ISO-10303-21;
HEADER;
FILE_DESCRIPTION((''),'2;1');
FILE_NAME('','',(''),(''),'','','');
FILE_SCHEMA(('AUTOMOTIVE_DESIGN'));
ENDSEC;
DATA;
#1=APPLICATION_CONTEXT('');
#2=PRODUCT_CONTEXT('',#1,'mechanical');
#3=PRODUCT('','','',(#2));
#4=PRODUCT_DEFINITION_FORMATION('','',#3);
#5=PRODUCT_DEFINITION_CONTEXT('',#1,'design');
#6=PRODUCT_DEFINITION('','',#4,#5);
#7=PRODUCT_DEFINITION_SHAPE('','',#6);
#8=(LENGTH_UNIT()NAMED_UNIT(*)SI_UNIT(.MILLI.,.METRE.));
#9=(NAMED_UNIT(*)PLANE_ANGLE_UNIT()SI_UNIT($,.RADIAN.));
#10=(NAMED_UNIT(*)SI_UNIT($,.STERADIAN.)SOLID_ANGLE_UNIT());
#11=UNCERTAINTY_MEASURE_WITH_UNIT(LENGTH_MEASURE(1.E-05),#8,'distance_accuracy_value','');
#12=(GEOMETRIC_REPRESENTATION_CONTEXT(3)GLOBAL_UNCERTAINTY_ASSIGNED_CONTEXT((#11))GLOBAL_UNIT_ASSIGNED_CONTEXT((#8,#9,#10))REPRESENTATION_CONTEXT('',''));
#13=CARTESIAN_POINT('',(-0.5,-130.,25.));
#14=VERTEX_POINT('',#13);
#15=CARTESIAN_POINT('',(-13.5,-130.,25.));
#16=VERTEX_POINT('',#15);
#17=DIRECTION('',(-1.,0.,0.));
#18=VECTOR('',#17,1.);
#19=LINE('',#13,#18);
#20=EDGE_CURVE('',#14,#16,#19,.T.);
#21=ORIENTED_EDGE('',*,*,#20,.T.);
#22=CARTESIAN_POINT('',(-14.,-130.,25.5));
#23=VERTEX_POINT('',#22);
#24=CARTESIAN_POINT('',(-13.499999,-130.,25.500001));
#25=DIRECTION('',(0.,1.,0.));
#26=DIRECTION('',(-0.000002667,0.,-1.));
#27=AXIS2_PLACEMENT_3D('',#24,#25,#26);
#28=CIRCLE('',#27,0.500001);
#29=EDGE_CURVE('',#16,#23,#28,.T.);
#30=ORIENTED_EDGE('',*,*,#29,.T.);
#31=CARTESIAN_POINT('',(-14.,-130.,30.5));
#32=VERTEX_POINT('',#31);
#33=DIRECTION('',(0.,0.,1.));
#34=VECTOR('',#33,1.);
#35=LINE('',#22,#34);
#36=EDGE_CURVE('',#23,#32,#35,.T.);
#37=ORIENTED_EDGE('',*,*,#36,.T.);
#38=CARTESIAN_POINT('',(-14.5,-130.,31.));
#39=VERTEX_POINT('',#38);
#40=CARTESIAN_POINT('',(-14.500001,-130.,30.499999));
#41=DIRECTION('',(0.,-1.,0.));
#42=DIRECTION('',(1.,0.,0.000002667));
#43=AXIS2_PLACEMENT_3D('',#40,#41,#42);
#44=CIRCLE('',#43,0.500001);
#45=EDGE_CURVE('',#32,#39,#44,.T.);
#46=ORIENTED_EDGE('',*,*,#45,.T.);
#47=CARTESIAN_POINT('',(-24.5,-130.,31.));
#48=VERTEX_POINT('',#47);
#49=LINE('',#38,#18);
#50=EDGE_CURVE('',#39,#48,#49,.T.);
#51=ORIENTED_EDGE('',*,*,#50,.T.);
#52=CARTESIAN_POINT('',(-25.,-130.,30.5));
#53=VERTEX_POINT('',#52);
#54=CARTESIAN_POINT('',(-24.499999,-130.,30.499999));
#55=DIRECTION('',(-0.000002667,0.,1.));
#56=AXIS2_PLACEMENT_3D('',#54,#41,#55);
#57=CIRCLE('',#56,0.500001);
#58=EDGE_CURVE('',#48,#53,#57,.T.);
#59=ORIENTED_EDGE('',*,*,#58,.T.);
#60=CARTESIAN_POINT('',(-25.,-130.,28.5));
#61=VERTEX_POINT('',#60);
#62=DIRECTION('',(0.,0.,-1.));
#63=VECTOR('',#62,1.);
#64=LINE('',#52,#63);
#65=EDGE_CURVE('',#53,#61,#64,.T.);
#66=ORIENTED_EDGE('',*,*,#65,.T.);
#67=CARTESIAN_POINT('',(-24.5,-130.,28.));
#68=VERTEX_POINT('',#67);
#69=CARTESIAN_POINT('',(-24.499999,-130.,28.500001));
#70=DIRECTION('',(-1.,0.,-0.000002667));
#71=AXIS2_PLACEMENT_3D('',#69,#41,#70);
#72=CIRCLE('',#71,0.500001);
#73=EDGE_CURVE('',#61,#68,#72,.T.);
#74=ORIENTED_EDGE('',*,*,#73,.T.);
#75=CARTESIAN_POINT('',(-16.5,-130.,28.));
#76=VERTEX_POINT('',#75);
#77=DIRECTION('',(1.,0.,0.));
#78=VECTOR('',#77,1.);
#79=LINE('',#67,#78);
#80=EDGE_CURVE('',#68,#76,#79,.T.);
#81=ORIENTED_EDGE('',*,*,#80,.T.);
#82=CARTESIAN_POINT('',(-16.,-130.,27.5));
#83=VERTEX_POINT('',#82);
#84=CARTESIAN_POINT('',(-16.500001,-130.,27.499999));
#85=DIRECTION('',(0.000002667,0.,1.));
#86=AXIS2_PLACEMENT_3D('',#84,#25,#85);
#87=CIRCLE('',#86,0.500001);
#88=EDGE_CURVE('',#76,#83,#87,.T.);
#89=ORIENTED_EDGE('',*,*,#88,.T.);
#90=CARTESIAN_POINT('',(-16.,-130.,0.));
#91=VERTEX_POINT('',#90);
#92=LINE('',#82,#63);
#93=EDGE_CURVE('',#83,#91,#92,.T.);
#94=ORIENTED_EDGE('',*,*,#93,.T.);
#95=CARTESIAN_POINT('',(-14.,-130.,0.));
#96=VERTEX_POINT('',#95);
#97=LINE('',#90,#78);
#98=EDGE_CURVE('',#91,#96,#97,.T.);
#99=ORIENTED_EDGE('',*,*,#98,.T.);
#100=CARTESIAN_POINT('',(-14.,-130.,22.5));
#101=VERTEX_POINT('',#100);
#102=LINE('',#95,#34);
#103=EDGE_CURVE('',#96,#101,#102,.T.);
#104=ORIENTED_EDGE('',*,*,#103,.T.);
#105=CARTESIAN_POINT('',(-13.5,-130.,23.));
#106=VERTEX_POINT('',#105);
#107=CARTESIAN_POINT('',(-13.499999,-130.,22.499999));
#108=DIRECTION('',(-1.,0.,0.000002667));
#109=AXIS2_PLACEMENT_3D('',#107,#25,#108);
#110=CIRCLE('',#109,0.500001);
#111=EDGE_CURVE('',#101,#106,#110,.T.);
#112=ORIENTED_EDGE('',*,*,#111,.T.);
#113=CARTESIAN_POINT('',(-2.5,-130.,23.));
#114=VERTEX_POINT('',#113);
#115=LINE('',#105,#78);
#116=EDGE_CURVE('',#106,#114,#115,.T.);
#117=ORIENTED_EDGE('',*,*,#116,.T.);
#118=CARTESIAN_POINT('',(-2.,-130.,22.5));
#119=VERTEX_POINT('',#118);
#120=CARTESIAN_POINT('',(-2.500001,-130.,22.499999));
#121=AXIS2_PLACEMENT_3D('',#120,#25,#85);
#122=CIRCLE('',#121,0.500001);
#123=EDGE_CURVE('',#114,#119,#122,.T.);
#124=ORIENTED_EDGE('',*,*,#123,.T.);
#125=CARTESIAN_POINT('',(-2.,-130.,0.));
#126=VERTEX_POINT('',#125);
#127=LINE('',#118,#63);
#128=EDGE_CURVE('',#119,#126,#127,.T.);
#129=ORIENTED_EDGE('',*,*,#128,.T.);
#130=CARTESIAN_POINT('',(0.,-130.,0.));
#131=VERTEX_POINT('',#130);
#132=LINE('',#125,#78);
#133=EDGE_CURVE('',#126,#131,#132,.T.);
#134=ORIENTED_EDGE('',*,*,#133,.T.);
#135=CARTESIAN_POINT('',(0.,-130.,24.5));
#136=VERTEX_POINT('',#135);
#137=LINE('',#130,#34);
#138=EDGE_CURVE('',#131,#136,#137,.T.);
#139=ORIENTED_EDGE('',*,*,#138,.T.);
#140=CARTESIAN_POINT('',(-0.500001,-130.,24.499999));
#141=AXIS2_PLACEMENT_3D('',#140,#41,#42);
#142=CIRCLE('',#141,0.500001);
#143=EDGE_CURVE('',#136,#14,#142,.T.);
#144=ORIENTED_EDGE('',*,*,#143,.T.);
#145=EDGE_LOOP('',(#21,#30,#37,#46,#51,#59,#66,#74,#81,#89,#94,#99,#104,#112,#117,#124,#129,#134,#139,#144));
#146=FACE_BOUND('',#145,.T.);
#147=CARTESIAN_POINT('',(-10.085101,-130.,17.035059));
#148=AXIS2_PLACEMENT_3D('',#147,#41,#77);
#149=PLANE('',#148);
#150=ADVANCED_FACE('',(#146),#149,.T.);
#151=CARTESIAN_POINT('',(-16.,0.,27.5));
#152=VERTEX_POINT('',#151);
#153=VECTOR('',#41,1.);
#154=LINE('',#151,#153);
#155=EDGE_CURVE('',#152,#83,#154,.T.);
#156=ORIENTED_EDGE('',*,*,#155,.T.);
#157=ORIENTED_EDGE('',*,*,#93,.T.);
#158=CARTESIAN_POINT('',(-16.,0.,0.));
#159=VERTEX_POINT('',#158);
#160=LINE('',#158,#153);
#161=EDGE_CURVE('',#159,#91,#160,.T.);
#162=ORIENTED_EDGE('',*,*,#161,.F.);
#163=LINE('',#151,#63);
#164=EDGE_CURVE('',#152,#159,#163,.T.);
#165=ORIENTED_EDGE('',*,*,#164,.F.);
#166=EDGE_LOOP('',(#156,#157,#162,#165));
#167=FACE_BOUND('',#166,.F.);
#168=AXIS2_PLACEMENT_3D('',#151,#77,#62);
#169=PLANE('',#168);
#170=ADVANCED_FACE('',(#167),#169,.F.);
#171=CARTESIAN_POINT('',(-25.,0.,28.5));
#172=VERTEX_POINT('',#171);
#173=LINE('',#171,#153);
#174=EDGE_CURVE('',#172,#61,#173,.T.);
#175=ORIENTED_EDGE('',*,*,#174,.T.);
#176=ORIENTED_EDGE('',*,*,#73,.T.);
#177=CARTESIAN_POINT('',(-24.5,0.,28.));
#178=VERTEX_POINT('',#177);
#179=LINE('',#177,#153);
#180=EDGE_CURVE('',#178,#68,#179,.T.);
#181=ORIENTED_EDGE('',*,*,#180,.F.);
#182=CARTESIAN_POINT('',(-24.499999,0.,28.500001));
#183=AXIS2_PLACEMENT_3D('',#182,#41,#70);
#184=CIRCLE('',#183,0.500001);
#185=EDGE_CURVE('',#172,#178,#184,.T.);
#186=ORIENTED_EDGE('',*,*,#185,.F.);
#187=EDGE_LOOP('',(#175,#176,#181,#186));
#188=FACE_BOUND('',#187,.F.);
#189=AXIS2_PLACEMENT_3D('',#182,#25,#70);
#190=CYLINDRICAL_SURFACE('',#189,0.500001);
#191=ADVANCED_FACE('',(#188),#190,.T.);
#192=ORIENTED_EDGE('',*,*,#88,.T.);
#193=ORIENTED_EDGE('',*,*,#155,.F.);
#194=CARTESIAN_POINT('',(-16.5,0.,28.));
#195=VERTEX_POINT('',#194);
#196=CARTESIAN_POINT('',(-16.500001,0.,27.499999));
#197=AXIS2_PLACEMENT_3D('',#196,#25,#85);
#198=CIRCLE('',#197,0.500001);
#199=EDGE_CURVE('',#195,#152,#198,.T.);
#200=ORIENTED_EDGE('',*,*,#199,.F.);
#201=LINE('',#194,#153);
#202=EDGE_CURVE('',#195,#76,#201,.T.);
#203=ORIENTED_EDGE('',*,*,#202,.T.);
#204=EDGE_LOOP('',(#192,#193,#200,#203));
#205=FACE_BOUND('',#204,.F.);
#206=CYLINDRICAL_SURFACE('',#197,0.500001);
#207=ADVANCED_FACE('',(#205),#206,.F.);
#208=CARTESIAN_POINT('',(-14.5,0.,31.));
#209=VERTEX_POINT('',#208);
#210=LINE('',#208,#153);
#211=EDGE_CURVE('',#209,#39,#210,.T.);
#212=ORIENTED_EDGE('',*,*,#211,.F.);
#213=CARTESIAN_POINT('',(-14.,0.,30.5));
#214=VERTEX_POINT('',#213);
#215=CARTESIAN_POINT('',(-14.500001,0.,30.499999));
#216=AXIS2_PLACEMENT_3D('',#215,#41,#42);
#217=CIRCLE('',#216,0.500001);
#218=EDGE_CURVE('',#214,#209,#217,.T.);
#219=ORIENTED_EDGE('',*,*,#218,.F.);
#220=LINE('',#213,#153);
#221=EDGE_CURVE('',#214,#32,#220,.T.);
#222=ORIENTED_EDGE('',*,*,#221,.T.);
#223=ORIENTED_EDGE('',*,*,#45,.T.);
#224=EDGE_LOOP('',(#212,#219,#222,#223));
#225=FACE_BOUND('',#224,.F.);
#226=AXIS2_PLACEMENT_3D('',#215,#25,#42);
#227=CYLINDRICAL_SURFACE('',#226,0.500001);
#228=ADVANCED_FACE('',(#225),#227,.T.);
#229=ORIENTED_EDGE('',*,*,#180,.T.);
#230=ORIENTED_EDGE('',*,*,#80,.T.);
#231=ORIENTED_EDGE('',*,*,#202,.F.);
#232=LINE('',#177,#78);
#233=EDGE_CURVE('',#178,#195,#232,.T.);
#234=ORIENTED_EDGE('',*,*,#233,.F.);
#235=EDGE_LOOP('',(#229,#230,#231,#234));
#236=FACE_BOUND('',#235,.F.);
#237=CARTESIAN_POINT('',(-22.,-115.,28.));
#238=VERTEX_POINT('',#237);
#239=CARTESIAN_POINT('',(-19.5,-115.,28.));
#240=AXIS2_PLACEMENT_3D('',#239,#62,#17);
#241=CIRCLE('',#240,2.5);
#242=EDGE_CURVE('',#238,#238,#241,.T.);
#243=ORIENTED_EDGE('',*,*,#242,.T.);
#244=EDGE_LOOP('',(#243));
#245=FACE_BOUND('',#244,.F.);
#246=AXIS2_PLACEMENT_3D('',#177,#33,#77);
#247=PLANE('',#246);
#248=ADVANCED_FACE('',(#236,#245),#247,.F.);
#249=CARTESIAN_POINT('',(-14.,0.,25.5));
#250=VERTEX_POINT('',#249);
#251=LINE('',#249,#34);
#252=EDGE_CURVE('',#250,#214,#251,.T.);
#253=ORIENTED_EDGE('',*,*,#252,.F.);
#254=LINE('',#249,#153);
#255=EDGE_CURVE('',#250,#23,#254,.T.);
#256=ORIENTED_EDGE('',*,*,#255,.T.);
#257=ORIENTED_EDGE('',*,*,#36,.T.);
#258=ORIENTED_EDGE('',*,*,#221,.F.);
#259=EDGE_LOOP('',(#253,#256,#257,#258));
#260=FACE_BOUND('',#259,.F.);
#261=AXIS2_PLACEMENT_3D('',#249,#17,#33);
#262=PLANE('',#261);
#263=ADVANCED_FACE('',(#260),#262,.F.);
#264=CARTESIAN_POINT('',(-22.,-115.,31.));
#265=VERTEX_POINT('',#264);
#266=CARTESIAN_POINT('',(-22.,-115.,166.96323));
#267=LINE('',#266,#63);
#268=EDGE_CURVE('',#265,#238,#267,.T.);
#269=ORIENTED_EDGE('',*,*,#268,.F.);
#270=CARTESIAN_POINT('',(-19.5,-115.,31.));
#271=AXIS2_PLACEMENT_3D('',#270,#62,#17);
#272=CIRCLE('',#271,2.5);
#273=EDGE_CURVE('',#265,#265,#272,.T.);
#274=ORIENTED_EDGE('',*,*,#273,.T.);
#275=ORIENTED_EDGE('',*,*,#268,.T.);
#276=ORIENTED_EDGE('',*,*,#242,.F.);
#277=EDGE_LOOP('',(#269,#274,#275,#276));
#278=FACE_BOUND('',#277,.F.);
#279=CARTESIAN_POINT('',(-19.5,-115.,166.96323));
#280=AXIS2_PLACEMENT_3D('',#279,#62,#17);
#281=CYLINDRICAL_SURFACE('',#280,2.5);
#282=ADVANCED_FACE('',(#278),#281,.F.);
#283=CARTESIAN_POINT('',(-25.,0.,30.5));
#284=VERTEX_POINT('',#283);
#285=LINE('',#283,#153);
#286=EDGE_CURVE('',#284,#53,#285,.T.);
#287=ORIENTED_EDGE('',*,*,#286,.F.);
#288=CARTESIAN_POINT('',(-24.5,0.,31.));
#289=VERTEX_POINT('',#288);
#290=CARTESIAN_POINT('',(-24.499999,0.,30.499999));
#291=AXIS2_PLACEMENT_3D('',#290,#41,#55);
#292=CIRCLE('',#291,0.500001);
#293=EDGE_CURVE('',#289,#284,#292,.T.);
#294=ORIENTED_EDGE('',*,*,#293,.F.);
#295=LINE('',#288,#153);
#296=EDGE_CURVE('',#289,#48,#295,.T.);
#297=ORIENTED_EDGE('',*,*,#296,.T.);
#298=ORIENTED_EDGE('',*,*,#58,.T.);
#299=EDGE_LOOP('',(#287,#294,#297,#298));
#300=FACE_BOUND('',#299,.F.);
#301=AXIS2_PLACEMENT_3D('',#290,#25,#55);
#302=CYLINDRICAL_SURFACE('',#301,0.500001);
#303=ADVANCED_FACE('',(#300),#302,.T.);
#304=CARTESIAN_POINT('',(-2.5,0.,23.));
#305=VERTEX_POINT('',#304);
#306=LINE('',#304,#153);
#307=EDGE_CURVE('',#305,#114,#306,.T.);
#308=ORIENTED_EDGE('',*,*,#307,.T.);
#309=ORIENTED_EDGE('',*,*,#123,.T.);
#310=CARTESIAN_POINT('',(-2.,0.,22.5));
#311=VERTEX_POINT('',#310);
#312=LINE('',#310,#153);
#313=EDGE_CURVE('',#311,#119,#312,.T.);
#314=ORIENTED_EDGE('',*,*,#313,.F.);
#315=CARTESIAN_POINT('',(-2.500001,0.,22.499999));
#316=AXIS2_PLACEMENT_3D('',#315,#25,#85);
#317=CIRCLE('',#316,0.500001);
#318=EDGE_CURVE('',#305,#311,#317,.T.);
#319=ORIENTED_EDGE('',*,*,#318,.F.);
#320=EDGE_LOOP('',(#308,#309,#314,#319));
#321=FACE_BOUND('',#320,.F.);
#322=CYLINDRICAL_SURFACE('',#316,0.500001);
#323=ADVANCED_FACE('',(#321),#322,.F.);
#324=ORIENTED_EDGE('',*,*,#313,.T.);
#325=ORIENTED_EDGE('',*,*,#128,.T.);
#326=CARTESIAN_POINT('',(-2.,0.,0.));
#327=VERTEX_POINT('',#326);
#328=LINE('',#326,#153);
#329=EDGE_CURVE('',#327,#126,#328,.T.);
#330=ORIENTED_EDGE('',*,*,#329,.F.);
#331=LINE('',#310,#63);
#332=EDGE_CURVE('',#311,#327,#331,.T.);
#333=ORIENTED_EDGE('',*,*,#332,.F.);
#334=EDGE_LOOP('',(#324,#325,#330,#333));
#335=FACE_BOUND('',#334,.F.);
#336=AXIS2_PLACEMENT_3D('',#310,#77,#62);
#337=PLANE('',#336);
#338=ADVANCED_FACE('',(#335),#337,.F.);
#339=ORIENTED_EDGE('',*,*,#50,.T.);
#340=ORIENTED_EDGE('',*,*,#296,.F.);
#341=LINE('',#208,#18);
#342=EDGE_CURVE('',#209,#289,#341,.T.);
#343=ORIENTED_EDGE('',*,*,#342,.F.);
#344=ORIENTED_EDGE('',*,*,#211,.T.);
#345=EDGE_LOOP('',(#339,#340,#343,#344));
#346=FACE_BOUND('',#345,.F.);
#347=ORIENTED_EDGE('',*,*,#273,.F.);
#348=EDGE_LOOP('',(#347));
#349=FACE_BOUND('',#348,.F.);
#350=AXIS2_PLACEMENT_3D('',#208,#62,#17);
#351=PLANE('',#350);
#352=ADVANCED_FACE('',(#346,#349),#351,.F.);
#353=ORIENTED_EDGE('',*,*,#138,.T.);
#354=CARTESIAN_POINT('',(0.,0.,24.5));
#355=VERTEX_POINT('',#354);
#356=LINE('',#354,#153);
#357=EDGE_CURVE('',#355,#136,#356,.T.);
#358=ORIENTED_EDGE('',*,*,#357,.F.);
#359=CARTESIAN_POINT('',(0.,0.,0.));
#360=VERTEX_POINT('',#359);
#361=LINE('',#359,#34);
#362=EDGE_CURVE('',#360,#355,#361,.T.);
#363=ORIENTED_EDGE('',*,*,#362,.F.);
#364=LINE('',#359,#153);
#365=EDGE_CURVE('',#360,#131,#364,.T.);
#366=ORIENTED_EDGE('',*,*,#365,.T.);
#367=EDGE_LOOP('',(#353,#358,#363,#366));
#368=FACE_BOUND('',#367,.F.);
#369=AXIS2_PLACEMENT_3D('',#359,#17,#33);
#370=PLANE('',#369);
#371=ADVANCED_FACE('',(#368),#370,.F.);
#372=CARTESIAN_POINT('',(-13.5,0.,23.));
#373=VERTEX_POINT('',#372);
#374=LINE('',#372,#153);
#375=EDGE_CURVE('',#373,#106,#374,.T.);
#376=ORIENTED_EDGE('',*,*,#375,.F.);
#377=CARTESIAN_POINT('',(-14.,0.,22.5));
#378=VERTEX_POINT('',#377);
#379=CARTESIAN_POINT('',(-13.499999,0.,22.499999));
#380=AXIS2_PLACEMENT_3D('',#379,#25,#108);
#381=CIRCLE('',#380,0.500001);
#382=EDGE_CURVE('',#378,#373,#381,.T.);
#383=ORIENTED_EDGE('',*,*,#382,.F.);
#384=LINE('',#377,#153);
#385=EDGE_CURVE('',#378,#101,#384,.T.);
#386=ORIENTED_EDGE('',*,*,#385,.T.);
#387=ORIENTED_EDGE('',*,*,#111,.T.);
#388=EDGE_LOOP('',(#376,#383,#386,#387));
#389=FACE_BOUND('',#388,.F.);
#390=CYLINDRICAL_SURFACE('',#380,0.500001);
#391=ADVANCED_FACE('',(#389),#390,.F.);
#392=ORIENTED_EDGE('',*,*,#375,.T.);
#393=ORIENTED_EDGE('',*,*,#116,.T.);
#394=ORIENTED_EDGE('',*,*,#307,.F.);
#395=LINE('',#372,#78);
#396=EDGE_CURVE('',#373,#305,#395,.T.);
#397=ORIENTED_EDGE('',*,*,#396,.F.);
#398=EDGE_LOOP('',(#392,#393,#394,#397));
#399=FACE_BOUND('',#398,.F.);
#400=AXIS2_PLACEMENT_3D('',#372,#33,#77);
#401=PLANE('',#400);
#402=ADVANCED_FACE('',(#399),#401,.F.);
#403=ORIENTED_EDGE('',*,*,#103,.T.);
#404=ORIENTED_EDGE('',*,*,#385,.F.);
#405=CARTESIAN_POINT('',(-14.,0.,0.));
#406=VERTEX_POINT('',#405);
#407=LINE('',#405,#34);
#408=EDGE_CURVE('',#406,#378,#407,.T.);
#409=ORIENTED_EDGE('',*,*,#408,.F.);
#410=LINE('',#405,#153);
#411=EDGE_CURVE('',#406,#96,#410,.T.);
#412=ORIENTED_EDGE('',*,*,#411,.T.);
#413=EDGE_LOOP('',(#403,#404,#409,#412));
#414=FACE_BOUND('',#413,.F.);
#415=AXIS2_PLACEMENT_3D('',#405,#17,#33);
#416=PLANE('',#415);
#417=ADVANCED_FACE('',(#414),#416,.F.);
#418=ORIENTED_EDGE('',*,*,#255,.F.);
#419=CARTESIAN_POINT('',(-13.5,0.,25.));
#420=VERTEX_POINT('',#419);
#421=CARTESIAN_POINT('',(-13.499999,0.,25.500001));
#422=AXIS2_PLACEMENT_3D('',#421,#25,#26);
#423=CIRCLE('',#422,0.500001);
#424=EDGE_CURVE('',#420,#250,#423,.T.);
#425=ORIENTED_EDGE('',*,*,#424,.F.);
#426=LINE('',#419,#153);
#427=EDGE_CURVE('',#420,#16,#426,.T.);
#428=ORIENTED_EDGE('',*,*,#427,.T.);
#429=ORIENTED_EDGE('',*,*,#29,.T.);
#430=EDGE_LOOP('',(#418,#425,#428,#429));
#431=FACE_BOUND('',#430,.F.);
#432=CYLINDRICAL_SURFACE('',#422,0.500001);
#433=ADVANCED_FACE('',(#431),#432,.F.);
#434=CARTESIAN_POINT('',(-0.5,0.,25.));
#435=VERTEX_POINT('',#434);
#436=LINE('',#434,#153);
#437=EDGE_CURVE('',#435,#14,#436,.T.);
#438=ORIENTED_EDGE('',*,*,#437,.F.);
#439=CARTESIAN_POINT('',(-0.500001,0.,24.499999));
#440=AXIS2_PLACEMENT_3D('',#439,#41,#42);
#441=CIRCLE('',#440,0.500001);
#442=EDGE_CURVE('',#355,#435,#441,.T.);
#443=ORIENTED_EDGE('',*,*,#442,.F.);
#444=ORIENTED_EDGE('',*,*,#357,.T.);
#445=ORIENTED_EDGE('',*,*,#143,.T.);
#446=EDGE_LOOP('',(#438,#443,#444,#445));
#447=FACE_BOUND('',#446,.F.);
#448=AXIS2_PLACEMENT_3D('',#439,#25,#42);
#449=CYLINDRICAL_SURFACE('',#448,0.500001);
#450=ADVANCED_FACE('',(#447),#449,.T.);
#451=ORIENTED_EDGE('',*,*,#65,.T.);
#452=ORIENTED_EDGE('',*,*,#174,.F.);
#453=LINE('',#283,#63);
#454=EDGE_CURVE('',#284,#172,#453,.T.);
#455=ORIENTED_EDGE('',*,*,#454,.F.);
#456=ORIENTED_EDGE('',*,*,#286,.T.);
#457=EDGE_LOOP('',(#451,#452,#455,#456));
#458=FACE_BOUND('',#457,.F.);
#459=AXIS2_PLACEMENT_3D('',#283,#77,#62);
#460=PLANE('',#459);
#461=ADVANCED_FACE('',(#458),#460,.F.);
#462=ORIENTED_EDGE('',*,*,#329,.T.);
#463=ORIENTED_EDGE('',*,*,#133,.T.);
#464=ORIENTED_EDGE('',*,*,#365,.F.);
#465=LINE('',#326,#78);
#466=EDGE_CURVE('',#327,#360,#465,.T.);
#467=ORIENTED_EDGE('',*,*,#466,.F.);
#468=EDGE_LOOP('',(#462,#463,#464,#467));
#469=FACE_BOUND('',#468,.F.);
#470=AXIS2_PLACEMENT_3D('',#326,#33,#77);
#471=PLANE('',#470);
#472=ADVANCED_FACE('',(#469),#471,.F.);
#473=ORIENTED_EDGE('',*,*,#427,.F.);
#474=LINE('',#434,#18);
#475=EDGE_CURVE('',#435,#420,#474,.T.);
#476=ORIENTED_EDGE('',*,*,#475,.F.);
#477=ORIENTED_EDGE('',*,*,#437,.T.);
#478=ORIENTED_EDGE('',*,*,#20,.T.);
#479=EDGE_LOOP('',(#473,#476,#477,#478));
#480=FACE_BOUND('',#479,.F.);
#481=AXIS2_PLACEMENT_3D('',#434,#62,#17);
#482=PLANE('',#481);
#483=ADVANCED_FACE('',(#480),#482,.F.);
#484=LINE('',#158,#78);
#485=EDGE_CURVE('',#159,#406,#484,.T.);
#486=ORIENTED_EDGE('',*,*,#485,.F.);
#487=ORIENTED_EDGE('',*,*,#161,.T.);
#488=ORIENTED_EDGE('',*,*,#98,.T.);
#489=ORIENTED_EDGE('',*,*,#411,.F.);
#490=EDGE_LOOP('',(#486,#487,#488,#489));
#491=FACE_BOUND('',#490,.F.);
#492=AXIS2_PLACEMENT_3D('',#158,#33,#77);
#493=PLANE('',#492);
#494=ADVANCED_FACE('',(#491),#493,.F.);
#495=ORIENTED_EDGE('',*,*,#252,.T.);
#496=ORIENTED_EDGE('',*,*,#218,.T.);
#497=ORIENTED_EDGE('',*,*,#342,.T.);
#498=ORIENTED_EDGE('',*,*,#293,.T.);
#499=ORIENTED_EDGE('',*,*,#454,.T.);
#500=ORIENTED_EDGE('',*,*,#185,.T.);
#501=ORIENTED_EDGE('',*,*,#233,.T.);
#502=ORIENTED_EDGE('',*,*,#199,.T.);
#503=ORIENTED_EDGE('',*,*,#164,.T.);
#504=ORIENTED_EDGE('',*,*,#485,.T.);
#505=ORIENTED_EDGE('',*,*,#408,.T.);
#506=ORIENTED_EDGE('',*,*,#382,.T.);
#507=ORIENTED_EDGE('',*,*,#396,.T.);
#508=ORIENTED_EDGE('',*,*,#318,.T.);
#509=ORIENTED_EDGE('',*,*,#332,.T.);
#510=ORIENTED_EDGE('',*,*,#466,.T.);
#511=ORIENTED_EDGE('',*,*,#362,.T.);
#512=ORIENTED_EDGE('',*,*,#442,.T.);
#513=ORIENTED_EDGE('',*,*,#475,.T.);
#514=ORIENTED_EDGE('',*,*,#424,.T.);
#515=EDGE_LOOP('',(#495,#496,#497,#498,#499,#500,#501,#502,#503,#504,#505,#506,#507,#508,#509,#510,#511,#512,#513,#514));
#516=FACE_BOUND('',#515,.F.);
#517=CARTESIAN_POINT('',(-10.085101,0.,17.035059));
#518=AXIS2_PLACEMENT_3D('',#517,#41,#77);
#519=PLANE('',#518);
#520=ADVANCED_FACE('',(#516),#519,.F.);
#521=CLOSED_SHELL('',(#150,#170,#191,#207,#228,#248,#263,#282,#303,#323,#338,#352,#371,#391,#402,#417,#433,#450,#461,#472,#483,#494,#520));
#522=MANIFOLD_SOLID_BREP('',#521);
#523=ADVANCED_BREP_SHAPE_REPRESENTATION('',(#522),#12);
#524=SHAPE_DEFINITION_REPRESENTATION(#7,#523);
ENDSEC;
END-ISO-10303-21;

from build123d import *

# Parameters (mm, degrees)
F1_DEPTH = 130
F3_D     = 5


with BuildPart() as f1:
    # F0 (on Front) → F1 (new body)
    with BuildSketch(Plane.XZ):
        with BuildLine():
            Line((-2, 0), (0, 0))
            Line((0, 0), (0, 24.5))
            ThreePointArc((0, 24.5), (-0.146447, 24.853553), (-0.5, 25))
            Line((-0.5, 25), (-13.5, 25))
            ThreePointArc((-13.5, 25), (-13.853553, 25.146447), (-14, 25.5))
            Line((-14, 25.5), (-14, 30.5))
            ThreePointArc((-14, 30.5), (-14.146447, 30.853553), (-14.5, 31))
            Line((-14.5, 31), (-24.5, 31))
            ThreePointArc((-24.5, 31), (-24.853553, 30.853553), (-25, 30.5))
            Line((-25, 30.5), (-25, 28.5))
            ThreePointArc((-25, 28.5), (-24.853553, 28.146447), (-24.5, 28))
            Line((-24.5, 28), (-16.5, 28))
            ThreePointArc((-16.5, 28), (-16.146447, 27.853553), (-16, 27.5))
            Line((-16, 27.5), (-16, 0))
            Line((-16, 0), (-14, 0))
            Line((-14, 0), (-14, 22.5))
            ThreePointArc((-14, 22.5), (-13.853553, 22.853553), (-13.5, 23))
            Line((-13.5, 23), (-2.5, 23))
            ThreePointArc((-2.5, 23), (-2.146447, 22.853553), (-2, 22.5))
            Line((-2, 22.5), (-2, 0))
        make_face()
    extrude(amount=F1_DEPTH)

    # F3 (through all)
    with Locations(Plane.XY.offset(31)):
        with Locations((-19.5, -115)):
            Hole(F3_D / 2)


solid = f1.part
